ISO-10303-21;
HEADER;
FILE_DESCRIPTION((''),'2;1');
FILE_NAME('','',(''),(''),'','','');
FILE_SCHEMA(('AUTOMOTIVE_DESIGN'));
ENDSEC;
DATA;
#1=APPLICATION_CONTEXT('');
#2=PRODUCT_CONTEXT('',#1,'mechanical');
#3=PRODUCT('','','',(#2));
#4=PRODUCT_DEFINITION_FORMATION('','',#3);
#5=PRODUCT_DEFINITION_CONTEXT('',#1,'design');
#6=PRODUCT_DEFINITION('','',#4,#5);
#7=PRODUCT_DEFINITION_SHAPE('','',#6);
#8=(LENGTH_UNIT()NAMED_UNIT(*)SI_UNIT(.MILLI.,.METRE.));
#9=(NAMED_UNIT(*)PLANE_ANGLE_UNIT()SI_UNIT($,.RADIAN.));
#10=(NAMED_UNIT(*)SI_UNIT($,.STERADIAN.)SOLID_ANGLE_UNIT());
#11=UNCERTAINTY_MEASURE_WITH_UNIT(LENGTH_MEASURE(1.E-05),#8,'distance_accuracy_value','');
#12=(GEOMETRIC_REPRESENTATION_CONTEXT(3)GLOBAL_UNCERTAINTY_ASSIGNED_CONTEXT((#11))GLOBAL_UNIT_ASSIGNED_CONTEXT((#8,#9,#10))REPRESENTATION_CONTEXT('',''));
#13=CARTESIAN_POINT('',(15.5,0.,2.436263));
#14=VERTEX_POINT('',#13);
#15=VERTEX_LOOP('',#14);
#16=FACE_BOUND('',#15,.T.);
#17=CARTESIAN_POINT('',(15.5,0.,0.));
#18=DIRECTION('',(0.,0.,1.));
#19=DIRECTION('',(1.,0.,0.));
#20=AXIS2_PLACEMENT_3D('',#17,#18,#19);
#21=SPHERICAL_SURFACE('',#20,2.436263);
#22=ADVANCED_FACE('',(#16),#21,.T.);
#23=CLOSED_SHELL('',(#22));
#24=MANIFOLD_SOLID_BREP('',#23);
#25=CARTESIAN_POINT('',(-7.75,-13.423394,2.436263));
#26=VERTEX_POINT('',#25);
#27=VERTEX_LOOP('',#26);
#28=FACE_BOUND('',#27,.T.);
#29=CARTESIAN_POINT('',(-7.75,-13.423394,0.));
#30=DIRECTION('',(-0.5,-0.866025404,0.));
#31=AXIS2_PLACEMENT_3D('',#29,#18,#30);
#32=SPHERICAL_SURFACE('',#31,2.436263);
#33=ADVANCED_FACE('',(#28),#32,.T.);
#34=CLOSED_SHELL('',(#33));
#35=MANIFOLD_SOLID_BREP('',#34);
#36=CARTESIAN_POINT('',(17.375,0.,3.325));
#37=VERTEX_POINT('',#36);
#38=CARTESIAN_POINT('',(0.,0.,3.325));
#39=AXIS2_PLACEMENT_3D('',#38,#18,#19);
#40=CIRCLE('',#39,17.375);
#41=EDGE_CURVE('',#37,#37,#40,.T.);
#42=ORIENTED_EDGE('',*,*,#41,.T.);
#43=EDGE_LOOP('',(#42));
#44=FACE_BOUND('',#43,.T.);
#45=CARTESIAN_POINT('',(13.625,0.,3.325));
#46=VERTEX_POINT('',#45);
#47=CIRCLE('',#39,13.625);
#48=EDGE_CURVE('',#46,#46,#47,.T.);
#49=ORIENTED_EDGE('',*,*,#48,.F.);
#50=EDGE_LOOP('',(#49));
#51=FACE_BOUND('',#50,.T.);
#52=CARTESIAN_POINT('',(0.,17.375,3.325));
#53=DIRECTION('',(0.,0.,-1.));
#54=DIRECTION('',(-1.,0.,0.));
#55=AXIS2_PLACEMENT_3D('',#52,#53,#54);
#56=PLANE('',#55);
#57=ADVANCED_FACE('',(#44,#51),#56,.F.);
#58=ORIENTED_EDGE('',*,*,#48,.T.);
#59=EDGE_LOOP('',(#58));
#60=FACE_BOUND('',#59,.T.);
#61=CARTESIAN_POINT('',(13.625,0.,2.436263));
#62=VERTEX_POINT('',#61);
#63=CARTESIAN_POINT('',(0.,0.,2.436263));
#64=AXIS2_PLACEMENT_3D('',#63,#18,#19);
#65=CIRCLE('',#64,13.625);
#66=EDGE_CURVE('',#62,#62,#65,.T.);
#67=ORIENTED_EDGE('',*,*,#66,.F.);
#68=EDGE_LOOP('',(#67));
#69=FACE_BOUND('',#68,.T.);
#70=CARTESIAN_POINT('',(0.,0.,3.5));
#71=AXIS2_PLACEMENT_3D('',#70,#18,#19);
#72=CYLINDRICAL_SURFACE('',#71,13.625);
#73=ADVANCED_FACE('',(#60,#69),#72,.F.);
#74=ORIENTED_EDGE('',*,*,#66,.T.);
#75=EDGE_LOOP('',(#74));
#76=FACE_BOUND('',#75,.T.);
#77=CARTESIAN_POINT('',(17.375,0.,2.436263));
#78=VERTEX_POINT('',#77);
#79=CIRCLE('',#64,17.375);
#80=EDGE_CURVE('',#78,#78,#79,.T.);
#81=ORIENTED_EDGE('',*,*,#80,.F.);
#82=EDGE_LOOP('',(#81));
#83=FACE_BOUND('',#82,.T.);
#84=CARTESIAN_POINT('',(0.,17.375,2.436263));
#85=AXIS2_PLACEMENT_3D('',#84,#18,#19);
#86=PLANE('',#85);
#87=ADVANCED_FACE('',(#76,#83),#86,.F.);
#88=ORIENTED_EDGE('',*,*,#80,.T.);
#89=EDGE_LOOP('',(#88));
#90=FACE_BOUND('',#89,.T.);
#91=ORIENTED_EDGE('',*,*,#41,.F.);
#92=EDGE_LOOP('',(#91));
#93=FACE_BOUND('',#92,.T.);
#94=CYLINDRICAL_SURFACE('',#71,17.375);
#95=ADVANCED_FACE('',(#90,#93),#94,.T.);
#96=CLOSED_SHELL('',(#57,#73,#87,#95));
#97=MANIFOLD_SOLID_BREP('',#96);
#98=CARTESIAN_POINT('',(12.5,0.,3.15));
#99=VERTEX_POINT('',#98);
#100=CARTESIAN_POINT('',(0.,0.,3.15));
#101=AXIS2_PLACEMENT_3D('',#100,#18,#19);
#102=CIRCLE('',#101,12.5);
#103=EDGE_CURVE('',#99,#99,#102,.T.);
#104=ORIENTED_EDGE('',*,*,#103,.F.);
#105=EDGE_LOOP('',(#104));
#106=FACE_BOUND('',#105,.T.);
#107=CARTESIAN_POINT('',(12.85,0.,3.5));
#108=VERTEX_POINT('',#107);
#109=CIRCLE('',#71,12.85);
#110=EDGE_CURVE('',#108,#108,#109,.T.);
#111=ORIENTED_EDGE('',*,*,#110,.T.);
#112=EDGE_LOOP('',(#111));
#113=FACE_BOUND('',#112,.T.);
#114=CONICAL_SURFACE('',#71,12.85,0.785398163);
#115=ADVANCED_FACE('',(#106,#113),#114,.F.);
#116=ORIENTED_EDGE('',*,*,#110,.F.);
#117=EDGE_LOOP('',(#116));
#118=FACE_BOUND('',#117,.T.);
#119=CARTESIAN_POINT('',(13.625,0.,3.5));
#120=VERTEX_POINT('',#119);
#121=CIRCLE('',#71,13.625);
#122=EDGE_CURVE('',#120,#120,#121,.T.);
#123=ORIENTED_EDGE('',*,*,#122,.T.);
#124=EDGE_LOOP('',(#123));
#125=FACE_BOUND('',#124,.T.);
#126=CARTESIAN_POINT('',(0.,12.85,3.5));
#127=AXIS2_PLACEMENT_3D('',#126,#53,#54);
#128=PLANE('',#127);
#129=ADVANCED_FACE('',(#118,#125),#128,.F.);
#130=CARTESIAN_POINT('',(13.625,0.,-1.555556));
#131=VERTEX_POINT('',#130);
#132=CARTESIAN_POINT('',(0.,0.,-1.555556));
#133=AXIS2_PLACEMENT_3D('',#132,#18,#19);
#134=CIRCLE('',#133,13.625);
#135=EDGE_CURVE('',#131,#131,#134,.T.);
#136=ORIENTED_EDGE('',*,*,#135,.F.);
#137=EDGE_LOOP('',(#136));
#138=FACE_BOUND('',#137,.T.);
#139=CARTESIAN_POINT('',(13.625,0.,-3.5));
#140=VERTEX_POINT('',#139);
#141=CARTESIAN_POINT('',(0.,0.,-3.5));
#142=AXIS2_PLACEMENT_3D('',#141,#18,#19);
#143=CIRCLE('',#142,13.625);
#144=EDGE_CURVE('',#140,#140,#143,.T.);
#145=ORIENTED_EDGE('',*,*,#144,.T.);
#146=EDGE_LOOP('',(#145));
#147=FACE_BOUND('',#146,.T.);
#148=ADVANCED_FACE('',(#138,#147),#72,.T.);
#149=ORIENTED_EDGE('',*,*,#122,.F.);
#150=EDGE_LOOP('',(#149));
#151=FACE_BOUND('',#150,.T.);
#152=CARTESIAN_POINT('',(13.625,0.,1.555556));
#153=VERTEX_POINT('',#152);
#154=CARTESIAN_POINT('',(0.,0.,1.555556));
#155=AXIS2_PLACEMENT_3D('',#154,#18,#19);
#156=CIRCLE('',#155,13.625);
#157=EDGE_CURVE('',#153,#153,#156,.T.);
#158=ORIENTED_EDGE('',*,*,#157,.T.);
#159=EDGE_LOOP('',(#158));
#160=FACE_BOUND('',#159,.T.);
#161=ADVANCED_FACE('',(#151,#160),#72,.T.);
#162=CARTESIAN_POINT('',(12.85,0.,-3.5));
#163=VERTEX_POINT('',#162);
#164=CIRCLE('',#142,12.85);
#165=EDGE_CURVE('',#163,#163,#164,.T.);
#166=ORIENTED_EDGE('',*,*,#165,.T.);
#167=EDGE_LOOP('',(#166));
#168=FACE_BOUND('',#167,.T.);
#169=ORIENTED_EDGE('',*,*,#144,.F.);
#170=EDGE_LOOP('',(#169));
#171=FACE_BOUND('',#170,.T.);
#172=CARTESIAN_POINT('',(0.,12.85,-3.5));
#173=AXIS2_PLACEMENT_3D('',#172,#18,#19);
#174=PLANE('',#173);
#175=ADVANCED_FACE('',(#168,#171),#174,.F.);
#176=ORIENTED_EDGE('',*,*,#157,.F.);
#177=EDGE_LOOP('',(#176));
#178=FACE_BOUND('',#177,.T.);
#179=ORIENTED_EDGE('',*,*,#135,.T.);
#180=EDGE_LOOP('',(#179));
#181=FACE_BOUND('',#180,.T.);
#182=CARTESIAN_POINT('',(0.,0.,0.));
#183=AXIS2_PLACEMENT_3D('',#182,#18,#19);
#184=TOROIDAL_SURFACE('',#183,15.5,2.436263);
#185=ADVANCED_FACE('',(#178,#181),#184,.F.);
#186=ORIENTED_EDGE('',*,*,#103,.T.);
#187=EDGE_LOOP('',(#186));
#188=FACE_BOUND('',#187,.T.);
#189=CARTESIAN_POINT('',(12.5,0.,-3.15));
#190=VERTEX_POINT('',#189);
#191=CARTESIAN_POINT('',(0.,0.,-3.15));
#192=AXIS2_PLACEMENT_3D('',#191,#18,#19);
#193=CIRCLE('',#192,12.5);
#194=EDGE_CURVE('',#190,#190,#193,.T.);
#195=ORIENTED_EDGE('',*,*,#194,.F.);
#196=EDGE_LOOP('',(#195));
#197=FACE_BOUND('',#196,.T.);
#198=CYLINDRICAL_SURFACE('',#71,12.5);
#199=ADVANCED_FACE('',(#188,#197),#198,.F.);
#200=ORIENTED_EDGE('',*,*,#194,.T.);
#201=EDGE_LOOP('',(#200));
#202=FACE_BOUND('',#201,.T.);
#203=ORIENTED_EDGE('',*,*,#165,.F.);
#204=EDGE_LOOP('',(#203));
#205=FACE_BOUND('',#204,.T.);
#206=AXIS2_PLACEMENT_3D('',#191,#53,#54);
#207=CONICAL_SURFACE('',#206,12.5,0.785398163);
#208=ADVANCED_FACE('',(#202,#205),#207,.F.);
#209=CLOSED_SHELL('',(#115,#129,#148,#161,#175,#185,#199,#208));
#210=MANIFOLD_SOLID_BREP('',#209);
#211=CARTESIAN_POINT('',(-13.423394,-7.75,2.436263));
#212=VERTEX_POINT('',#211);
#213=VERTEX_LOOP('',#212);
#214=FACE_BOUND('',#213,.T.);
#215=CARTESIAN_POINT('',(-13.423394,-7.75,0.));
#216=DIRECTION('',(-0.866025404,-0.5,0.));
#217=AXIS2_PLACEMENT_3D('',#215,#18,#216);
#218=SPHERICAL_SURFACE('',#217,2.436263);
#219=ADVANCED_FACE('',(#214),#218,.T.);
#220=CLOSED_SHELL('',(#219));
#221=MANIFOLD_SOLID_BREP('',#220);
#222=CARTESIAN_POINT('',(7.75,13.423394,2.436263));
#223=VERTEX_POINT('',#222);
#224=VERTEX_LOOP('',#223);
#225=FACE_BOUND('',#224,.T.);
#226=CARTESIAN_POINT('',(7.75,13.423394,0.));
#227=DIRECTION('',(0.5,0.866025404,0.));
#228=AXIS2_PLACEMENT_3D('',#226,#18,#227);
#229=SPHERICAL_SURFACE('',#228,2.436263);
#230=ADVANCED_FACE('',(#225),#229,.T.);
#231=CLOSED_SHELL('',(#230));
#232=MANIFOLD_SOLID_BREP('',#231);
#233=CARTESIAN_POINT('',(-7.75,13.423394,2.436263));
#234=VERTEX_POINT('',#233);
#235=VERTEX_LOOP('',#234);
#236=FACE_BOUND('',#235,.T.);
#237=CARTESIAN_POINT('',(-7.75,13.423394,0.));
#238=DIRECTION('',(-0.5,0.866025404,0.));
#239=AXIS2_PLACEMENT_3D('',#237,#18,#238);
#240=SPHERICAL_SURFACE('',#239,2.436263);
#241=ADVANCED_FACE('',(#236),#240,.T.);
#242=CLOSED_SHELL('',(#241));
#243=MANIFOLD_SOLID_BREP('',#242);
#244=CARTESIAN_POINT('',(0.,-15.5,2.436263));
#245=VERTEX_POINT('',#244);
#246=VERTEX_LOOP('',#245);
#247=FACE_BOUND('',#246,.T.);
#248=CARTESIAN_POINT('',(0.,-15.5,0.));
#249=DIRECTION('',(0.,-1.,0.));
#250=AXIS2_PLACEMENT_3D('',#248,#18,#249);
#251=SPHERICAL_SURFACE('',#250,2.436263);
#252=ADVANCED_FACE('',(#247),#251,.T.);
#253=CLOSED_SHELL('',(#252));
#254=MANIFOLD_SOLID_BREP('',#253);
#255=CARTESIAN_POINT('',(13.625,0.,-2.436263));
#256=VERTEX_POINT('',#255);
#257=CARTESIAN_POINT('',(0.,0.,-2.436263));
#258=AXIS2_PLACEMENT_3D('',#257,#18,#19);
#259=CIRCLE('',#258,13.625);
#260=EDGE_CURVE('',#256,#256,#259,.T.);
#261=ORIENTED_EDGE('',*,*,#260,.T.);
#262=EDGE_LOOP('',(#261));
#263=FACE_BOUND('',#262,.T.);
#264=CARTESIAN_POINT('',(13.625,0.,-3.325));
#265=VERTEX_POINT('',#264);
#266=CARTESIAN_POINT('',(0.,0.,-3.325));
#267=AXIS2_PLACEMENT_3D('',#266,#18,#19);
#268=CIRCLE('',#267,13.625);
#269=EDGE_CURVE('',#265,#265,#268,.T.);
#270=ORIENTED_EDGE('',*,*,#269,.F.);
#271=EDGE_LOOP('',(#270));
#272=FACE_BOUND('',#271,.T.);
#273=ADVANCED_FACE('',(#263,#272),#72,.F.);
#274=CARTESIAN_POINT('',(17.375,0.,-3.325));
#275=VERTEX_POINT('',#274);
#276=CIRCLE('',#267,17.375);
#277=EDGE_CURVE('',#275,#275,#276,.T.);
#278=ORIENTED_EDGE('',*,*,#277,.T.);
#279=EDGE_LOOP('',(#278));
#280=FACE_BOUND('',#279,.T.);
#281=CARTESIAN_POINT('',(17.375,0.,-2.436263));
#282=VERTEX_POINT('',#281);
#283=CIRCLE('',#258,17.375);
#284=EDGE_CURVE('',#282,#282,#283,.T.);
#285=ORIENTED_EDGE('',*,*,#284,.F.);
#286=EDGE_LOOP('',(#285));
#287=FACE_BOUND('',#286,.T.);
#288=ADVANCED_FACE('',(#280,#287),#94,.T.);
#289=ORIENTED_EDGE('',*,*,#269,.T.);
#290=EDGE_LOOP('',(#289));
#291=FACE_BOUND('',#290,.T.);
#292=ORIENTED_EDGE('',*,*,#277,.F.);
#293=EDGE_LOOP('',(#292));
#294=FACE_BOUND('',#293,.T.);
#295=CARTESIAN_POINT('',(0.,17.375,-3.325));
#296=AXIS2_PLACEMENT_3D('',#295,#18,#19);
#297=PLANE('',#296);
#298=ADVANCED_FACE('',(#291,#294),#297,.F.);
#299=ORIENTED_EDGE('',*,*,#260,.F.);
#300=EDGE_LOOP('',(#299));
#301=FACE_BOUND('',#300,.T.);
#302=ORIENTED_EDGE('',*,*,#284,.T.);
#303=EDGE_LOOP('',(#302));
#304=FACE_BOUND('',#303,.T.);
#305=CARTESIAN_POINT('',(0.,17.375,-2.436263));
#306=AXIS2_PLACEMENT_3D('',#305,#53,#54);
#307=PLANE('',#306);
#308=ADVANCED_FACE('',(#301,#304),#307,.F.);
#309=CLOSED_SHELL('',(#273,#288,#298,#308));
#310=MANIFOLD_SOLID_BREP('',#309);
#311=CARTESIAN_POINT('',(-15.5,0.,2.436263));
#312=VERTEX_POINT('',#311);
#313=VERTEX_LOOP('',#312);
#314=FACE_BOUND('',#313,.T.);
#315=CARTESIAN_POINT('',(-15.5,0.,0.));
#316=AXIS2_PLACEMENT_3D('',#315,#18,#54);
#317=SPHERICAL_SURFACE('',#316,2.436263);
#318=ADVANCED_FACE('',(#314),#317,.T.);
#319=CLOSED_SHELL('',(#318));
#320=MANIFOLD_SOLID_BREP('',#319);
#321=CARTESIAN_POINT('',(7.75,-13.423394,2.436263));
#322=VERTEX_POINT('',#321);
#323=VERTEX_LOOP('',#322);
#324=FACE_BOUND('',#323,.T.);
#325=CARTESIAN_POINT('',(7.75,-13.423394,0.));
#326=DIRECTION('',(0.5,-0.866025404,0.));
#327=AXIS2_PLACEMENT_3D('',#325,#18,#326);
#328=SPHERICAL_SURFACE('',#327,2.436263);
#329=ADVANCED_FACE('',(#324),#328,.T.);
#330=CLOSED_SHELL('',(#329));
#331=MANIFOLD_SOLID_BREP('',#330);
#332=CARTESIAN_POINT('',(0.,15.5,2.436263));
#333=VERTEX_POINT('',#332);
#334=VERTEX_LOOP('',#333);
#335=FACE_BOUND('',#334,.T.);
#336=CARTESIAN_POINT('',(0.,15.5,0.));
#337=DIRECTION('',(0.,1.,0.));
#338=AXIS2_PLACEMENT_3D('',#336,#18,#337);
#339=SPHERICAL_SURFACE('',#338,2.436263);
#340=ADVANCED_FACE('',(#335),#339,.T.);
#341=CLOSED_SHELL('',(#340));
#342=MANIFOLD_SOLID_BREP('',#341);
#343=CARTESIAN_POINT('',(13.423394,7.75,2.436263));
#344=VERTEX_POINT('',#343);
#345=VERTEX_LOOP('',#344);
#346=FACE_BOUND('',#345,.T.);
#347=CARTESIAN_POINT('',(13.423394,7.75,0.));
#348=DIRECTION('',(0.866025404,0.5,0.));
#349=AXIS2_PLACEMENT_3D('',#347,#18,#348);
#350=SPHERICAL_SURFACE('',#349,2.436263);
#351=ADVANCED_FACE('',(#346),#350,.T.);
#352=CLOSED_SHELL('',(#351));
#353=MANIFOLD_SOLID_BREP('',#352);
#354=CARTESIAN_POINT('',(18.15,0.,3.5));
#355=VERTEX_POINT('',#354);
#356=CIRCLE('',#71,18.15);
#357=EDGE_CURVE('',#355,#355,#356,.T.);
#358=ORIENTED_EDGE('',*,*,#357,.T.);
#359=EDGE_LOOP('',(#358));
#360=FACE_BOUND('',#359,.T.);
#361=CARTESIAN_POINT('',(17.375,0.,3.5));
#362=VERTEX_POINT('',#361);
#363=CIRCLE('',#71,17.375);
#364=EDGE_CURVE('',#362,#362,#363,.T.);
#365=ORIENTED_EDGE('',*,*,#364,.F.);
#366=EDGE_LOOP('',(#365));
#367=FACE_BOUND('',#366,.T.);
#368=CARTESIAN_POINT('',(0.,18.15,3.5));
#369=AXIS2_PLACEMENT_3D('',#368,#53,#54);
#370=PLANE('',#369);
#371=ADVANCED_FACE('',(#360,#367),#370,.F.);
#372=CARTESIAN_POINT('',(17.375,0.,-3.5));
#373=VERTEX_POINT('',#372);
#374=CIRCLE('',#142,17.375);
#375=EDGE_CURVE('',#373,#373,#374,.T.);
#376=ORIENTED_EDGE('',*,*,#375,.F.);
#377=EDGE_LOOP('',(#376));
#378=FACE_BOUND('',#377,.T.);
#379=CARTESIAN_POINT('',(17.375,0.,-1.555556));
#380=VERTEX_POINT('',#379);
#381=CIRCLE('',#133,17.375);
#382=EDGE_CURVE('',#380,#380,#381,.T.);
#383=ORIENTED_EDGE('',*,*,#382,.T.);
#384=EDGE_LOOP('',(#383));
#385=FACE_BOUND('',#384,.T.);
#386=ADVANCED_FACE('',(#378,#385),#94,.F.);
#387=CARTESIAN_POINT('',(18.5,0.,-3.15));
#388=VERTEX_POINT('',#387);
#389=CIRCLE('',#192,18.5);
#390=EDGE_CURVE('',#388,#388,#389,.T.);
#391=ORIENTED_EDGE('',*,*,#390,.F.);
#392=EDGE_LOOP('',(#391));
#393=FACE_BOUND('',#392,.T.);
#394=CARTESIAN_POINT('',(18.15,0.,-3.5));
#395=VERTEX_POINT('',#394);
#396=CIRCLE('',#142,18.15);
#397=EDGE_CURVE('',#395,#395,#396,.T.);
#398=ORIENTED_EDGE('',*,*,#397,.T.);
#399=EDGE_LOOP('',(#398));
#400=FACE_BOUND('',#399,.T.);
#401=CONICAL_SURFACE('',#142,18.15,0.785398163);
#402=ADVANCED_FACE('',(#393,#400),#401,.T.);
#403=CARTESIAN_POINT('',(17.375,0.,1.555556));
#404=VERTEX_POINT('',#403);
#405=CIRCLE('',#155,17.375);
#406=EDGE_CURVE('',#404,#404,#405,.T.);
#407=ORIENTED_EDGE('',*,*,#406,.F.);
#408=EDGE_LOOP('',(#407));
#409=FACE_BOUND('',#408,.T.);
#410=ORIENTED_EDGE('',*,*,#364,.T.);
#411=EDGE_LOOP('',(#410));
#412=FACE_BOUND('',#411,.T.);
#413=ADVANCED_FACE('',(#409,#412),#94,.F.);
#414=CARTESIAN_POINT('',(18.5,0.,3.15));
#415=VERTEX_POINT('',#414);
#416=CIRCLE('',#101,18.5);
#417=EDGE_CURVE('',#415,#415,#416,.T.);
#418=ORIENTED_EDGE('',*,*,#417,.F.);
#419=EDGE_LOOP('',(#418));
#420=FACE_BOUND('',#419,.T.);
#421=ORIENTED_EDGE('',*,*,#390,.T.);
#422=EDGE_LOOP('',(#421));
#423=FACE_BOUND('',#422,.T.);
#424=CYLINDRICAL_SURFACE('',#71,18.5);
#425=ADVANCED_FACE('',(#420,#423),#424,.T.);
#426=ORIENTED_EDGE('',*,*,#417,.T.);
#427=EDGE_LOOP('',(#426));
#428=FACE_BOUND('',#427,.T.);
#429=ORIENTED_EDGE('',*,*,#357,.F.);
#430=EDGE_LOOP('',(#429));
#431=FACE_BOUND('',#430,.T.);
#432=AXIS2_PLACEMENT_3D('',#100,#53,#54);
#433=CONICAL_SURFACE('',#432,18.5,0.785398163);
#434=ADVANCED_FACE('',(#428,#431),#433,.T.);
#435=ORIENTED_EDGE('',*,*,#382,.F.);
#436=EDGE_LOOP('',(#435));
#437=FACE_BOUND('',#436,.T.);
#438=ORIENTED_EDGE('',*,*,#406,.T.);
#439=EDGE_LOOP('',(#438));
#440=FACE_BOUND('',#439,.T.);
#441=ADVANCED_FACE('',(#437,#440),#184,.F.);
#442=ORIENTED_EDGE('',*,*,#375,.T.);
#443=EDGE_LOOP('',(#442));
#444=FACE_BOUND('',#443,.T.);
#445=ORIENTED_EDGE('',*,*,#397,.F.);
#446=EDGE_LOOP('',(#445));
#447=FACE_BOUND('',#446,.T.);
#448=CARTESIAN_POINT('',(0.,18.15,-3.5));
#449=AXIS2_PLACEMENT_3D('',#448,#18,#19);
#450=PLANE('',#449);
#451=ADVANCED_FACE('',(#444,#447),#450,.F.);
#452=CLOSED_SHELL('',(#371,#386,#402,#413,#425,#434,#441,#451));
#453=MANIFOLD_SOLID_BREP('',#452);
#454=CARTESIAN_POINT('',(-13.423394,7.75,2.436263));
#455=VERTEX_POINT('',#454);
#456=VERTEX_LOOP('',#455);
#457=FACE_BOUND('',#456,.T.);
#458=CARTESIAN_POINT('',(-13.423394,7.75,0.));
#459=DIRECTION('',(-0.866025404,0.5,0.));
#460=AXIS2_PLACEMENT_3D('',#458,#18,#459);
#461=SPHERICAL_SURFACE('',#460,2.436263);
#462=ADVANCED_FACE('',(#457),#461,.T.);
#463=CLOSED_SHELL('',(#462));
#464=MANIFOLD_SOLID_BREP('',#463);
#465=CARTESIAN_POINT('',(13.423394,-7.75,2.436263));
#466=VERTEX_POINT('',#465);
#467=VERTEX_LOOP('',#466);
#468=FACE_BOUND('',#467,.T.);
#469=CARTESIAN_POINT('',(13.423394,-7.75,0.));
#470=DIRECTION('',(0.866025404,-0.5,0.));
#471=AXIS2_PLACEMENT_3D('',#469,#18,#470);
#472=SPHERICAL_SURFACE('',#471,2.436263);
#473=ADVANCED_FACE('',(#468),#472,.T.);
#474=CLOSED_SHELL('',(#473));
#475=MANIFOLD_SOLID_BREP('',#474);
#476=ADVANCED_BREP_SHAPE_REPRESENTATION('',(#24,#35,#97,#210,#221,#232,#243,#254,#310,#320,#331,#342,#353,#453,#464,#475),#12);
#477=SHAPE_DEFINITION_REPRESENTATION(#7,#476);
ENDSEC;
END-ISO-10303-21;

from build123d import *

# Parameters (mm, degrees)
CIRPATTERN1_COUNT = 12
SKETCH5_W         = 0.88873686
SKETCH5_H         = 3.75


with BuildPart() as part:
    # Sketch3 → Revolve1 (revolve)
    with BuildSketch(Plane(origin=(0, 0, 0), x_dir=(0, 0, -1), z_dir=(1, 0, 0)), mode=Mode.PRIVATE) as revolve1_sk:
        with BuildLine():
            Line((-3.5, 18.15), (-3.5, 17.375))
            Line((-3.5, 17.375), (-1.555555556, 17.375))
            ThreePointArc((-1.555555556, 17.375), (0, 17.93626314), (1.555555556, 17.375))
            Line((1.555555556, 17.375), (3.5, 17.375))
            Line((3.5, 17.375), (3.5, 18.15))
            Line((3.5, 18.15), (3.15, 18.5))
            Line((3.15, 18.5), (-3.15, 18.5))
            Line((-3.15, 18.5), (-3.5, 18.15))
        make_face()
        with BuildLine():
            Line((-3.5, 12.85), (-3.5, 13.625))
            Line((-3.5, 13.625), (-1.555555556, 13.625))
            ThreePointArc((-1.555555556, 13.625), (0, 13.06373686), (1.555555556, 13.625))
            Line((1.555555556, 13.625), (3.5, 13.625))
            Line((3.5, 13.625), (3.5, 12.85))
            Line((3.5, 12.85), (3.15, 12.5))
            Line((3.15, 12.5), (-3.15, 12.5))
            Line((-3.15, 12.5), (-3.5, 12.85))
        make_face()
    revolve(revolve1_sk.sketch.rotate(Axis((0, 0, 3.5), (0, 0, -1)), 90), axis=Axis((0, 0, 3.5), (0, 0, -1)))


with BuildPart() as body_2:
    # Sketch4 → Revolve2 (revolve)
    with BuildSketch(Plane(origin=(0, 0, 0), x_dir=(0, 0, -1), z_dir=(1, 0, 0))):
        with BuildLine():
            Line((-2.43626314, 15.5), (2.43626314, 15.5))
            ThreePointArc((2.43626314, 15.5), (0, 17.93626314), (-2.43626314, 15.5))
        make_face()
    revolve(axis=Axis((0, 15.5, 2.43626314), (0, 0, -1)))


with BuildPart() as cirpattern1_1:
    # CirPattern1: pattern copy
    add(body_2.part.rotate(Axis((0, 0, 0), (0, 0, 1)), 1 * 360 / CIRPATTERN1_COUNT))


with BuildPart() as cirpattern1_2:
    # CirPattern1: pattern copy
    add(body_2.part.rotate(Axis((0, 0, 0), (0, 0, 1)), 2 * 360 / CIRPATTERN1_COUNT))


with BuildPart() as cirpattern1_3:
    # CirPattern1: pattern copy
    add(body_2.part.rotate(Axis((0, 0, 0), (0, 0, 1)), 3 * 360 / CIRPATTERN1_COUNT))


with BuildPart() as cirpattern1_4:
    # CirPattern1: pattern copy
    add(body_2.part.rotate(Axis((0, 0, 0), (0, 0, 1)), 4 * 360 / CIRPATTERN1_COUNT))


with BuildPart() as cirpattern1_5:
    # CirPattern1: pattern copy
    add(body_2.part.rotate(Axis((0, 0, 0), (0, 0, 1)), 5 * 360 / CIRPATTERN1_COUNT))


with BuildPart() as cirpattern1_6:
    # CirPattern1: pattern copy
    add(body_2.part.rotate(Axis((0, 0, 0), (0, 0, 1)), 6 * 360 / CIRPATTERN1_COUNT))


with BuildPart() as cirpattern1_7:
    # CirPattern1: pattern copy
    add(body_2.part.rotate(Axis((0, 0, 0), (0, 0, 1)), 7 * 360 / CIRPATTERN1_COUNT))


with BuildPart() as cirpattern1_8:
    # CirPattern1: pattern copy
    add(body_2.part.rotate(Axis((0, 0, 0), (0, 0, 1)), 8 * 360 / CIRPATTERN1_COUNT))


with BuildPart() as cirpattern1_9:
    # CirPattern1: pattern copy
    add(body_2.part.rotate(Axis((0, 0, 0), (0, 0, 1)), 9 * 360 / CIRPATTERN1_COUNT))


with BuildPart() as cirpattern1_10:
    # CirPattern1: pattern copy
    add(body_2.part.rotate(Axis((0, 0, 0), (0, 0, 1)), 10 * 360 / CIRPATTERN1_COUNT))


with BuildPart() as cirpattern1_11:
    # CirPattern1: pattern copy
    add(body_2.part.rotate(Axis((0, 0, 0), (0, 0, 1)), 11 * 360 / CIRPATTERN1_COUNT))


with BuildPart() as body_14:
    # Sketch5 → Revolve3 (revolve)
    with BuildSketch(Plane(origin=(0, 0, 0), x_dir=(0, 0, -1), z_dir=(1, 0, 0)), mode=Mode.PRIVATE) as revolve3_sk:
        with Locations((-2.88063157, 15.5)):
            Rectangle(SKETCH5_W, SKETCH5_H)
        with Locations((2.88063157, 15.5)):
            Rectangle(SKETCH5_W, SKETCH5_H)
    revolve(revolve3_sk.sketch.rotate(Axis((0, 0, 3.5), (0, 0, -1)), 90), axis=Axis((0, 0, 3.5), (0, 0, -1)))


solid = Compound([part.part, body_2.part, cirpattern1_1.part, cirpattern1_2.part, cirpattern1_3.part, cirpattern1_4.part, cirpattern1_5.part, cirpattern1_6.part, cirpattern1_7.part, cirpattern1_8.part, cirpattern1_9.part, cirpattern1_10.part, cirpattern1_11.part, body_14.part])
